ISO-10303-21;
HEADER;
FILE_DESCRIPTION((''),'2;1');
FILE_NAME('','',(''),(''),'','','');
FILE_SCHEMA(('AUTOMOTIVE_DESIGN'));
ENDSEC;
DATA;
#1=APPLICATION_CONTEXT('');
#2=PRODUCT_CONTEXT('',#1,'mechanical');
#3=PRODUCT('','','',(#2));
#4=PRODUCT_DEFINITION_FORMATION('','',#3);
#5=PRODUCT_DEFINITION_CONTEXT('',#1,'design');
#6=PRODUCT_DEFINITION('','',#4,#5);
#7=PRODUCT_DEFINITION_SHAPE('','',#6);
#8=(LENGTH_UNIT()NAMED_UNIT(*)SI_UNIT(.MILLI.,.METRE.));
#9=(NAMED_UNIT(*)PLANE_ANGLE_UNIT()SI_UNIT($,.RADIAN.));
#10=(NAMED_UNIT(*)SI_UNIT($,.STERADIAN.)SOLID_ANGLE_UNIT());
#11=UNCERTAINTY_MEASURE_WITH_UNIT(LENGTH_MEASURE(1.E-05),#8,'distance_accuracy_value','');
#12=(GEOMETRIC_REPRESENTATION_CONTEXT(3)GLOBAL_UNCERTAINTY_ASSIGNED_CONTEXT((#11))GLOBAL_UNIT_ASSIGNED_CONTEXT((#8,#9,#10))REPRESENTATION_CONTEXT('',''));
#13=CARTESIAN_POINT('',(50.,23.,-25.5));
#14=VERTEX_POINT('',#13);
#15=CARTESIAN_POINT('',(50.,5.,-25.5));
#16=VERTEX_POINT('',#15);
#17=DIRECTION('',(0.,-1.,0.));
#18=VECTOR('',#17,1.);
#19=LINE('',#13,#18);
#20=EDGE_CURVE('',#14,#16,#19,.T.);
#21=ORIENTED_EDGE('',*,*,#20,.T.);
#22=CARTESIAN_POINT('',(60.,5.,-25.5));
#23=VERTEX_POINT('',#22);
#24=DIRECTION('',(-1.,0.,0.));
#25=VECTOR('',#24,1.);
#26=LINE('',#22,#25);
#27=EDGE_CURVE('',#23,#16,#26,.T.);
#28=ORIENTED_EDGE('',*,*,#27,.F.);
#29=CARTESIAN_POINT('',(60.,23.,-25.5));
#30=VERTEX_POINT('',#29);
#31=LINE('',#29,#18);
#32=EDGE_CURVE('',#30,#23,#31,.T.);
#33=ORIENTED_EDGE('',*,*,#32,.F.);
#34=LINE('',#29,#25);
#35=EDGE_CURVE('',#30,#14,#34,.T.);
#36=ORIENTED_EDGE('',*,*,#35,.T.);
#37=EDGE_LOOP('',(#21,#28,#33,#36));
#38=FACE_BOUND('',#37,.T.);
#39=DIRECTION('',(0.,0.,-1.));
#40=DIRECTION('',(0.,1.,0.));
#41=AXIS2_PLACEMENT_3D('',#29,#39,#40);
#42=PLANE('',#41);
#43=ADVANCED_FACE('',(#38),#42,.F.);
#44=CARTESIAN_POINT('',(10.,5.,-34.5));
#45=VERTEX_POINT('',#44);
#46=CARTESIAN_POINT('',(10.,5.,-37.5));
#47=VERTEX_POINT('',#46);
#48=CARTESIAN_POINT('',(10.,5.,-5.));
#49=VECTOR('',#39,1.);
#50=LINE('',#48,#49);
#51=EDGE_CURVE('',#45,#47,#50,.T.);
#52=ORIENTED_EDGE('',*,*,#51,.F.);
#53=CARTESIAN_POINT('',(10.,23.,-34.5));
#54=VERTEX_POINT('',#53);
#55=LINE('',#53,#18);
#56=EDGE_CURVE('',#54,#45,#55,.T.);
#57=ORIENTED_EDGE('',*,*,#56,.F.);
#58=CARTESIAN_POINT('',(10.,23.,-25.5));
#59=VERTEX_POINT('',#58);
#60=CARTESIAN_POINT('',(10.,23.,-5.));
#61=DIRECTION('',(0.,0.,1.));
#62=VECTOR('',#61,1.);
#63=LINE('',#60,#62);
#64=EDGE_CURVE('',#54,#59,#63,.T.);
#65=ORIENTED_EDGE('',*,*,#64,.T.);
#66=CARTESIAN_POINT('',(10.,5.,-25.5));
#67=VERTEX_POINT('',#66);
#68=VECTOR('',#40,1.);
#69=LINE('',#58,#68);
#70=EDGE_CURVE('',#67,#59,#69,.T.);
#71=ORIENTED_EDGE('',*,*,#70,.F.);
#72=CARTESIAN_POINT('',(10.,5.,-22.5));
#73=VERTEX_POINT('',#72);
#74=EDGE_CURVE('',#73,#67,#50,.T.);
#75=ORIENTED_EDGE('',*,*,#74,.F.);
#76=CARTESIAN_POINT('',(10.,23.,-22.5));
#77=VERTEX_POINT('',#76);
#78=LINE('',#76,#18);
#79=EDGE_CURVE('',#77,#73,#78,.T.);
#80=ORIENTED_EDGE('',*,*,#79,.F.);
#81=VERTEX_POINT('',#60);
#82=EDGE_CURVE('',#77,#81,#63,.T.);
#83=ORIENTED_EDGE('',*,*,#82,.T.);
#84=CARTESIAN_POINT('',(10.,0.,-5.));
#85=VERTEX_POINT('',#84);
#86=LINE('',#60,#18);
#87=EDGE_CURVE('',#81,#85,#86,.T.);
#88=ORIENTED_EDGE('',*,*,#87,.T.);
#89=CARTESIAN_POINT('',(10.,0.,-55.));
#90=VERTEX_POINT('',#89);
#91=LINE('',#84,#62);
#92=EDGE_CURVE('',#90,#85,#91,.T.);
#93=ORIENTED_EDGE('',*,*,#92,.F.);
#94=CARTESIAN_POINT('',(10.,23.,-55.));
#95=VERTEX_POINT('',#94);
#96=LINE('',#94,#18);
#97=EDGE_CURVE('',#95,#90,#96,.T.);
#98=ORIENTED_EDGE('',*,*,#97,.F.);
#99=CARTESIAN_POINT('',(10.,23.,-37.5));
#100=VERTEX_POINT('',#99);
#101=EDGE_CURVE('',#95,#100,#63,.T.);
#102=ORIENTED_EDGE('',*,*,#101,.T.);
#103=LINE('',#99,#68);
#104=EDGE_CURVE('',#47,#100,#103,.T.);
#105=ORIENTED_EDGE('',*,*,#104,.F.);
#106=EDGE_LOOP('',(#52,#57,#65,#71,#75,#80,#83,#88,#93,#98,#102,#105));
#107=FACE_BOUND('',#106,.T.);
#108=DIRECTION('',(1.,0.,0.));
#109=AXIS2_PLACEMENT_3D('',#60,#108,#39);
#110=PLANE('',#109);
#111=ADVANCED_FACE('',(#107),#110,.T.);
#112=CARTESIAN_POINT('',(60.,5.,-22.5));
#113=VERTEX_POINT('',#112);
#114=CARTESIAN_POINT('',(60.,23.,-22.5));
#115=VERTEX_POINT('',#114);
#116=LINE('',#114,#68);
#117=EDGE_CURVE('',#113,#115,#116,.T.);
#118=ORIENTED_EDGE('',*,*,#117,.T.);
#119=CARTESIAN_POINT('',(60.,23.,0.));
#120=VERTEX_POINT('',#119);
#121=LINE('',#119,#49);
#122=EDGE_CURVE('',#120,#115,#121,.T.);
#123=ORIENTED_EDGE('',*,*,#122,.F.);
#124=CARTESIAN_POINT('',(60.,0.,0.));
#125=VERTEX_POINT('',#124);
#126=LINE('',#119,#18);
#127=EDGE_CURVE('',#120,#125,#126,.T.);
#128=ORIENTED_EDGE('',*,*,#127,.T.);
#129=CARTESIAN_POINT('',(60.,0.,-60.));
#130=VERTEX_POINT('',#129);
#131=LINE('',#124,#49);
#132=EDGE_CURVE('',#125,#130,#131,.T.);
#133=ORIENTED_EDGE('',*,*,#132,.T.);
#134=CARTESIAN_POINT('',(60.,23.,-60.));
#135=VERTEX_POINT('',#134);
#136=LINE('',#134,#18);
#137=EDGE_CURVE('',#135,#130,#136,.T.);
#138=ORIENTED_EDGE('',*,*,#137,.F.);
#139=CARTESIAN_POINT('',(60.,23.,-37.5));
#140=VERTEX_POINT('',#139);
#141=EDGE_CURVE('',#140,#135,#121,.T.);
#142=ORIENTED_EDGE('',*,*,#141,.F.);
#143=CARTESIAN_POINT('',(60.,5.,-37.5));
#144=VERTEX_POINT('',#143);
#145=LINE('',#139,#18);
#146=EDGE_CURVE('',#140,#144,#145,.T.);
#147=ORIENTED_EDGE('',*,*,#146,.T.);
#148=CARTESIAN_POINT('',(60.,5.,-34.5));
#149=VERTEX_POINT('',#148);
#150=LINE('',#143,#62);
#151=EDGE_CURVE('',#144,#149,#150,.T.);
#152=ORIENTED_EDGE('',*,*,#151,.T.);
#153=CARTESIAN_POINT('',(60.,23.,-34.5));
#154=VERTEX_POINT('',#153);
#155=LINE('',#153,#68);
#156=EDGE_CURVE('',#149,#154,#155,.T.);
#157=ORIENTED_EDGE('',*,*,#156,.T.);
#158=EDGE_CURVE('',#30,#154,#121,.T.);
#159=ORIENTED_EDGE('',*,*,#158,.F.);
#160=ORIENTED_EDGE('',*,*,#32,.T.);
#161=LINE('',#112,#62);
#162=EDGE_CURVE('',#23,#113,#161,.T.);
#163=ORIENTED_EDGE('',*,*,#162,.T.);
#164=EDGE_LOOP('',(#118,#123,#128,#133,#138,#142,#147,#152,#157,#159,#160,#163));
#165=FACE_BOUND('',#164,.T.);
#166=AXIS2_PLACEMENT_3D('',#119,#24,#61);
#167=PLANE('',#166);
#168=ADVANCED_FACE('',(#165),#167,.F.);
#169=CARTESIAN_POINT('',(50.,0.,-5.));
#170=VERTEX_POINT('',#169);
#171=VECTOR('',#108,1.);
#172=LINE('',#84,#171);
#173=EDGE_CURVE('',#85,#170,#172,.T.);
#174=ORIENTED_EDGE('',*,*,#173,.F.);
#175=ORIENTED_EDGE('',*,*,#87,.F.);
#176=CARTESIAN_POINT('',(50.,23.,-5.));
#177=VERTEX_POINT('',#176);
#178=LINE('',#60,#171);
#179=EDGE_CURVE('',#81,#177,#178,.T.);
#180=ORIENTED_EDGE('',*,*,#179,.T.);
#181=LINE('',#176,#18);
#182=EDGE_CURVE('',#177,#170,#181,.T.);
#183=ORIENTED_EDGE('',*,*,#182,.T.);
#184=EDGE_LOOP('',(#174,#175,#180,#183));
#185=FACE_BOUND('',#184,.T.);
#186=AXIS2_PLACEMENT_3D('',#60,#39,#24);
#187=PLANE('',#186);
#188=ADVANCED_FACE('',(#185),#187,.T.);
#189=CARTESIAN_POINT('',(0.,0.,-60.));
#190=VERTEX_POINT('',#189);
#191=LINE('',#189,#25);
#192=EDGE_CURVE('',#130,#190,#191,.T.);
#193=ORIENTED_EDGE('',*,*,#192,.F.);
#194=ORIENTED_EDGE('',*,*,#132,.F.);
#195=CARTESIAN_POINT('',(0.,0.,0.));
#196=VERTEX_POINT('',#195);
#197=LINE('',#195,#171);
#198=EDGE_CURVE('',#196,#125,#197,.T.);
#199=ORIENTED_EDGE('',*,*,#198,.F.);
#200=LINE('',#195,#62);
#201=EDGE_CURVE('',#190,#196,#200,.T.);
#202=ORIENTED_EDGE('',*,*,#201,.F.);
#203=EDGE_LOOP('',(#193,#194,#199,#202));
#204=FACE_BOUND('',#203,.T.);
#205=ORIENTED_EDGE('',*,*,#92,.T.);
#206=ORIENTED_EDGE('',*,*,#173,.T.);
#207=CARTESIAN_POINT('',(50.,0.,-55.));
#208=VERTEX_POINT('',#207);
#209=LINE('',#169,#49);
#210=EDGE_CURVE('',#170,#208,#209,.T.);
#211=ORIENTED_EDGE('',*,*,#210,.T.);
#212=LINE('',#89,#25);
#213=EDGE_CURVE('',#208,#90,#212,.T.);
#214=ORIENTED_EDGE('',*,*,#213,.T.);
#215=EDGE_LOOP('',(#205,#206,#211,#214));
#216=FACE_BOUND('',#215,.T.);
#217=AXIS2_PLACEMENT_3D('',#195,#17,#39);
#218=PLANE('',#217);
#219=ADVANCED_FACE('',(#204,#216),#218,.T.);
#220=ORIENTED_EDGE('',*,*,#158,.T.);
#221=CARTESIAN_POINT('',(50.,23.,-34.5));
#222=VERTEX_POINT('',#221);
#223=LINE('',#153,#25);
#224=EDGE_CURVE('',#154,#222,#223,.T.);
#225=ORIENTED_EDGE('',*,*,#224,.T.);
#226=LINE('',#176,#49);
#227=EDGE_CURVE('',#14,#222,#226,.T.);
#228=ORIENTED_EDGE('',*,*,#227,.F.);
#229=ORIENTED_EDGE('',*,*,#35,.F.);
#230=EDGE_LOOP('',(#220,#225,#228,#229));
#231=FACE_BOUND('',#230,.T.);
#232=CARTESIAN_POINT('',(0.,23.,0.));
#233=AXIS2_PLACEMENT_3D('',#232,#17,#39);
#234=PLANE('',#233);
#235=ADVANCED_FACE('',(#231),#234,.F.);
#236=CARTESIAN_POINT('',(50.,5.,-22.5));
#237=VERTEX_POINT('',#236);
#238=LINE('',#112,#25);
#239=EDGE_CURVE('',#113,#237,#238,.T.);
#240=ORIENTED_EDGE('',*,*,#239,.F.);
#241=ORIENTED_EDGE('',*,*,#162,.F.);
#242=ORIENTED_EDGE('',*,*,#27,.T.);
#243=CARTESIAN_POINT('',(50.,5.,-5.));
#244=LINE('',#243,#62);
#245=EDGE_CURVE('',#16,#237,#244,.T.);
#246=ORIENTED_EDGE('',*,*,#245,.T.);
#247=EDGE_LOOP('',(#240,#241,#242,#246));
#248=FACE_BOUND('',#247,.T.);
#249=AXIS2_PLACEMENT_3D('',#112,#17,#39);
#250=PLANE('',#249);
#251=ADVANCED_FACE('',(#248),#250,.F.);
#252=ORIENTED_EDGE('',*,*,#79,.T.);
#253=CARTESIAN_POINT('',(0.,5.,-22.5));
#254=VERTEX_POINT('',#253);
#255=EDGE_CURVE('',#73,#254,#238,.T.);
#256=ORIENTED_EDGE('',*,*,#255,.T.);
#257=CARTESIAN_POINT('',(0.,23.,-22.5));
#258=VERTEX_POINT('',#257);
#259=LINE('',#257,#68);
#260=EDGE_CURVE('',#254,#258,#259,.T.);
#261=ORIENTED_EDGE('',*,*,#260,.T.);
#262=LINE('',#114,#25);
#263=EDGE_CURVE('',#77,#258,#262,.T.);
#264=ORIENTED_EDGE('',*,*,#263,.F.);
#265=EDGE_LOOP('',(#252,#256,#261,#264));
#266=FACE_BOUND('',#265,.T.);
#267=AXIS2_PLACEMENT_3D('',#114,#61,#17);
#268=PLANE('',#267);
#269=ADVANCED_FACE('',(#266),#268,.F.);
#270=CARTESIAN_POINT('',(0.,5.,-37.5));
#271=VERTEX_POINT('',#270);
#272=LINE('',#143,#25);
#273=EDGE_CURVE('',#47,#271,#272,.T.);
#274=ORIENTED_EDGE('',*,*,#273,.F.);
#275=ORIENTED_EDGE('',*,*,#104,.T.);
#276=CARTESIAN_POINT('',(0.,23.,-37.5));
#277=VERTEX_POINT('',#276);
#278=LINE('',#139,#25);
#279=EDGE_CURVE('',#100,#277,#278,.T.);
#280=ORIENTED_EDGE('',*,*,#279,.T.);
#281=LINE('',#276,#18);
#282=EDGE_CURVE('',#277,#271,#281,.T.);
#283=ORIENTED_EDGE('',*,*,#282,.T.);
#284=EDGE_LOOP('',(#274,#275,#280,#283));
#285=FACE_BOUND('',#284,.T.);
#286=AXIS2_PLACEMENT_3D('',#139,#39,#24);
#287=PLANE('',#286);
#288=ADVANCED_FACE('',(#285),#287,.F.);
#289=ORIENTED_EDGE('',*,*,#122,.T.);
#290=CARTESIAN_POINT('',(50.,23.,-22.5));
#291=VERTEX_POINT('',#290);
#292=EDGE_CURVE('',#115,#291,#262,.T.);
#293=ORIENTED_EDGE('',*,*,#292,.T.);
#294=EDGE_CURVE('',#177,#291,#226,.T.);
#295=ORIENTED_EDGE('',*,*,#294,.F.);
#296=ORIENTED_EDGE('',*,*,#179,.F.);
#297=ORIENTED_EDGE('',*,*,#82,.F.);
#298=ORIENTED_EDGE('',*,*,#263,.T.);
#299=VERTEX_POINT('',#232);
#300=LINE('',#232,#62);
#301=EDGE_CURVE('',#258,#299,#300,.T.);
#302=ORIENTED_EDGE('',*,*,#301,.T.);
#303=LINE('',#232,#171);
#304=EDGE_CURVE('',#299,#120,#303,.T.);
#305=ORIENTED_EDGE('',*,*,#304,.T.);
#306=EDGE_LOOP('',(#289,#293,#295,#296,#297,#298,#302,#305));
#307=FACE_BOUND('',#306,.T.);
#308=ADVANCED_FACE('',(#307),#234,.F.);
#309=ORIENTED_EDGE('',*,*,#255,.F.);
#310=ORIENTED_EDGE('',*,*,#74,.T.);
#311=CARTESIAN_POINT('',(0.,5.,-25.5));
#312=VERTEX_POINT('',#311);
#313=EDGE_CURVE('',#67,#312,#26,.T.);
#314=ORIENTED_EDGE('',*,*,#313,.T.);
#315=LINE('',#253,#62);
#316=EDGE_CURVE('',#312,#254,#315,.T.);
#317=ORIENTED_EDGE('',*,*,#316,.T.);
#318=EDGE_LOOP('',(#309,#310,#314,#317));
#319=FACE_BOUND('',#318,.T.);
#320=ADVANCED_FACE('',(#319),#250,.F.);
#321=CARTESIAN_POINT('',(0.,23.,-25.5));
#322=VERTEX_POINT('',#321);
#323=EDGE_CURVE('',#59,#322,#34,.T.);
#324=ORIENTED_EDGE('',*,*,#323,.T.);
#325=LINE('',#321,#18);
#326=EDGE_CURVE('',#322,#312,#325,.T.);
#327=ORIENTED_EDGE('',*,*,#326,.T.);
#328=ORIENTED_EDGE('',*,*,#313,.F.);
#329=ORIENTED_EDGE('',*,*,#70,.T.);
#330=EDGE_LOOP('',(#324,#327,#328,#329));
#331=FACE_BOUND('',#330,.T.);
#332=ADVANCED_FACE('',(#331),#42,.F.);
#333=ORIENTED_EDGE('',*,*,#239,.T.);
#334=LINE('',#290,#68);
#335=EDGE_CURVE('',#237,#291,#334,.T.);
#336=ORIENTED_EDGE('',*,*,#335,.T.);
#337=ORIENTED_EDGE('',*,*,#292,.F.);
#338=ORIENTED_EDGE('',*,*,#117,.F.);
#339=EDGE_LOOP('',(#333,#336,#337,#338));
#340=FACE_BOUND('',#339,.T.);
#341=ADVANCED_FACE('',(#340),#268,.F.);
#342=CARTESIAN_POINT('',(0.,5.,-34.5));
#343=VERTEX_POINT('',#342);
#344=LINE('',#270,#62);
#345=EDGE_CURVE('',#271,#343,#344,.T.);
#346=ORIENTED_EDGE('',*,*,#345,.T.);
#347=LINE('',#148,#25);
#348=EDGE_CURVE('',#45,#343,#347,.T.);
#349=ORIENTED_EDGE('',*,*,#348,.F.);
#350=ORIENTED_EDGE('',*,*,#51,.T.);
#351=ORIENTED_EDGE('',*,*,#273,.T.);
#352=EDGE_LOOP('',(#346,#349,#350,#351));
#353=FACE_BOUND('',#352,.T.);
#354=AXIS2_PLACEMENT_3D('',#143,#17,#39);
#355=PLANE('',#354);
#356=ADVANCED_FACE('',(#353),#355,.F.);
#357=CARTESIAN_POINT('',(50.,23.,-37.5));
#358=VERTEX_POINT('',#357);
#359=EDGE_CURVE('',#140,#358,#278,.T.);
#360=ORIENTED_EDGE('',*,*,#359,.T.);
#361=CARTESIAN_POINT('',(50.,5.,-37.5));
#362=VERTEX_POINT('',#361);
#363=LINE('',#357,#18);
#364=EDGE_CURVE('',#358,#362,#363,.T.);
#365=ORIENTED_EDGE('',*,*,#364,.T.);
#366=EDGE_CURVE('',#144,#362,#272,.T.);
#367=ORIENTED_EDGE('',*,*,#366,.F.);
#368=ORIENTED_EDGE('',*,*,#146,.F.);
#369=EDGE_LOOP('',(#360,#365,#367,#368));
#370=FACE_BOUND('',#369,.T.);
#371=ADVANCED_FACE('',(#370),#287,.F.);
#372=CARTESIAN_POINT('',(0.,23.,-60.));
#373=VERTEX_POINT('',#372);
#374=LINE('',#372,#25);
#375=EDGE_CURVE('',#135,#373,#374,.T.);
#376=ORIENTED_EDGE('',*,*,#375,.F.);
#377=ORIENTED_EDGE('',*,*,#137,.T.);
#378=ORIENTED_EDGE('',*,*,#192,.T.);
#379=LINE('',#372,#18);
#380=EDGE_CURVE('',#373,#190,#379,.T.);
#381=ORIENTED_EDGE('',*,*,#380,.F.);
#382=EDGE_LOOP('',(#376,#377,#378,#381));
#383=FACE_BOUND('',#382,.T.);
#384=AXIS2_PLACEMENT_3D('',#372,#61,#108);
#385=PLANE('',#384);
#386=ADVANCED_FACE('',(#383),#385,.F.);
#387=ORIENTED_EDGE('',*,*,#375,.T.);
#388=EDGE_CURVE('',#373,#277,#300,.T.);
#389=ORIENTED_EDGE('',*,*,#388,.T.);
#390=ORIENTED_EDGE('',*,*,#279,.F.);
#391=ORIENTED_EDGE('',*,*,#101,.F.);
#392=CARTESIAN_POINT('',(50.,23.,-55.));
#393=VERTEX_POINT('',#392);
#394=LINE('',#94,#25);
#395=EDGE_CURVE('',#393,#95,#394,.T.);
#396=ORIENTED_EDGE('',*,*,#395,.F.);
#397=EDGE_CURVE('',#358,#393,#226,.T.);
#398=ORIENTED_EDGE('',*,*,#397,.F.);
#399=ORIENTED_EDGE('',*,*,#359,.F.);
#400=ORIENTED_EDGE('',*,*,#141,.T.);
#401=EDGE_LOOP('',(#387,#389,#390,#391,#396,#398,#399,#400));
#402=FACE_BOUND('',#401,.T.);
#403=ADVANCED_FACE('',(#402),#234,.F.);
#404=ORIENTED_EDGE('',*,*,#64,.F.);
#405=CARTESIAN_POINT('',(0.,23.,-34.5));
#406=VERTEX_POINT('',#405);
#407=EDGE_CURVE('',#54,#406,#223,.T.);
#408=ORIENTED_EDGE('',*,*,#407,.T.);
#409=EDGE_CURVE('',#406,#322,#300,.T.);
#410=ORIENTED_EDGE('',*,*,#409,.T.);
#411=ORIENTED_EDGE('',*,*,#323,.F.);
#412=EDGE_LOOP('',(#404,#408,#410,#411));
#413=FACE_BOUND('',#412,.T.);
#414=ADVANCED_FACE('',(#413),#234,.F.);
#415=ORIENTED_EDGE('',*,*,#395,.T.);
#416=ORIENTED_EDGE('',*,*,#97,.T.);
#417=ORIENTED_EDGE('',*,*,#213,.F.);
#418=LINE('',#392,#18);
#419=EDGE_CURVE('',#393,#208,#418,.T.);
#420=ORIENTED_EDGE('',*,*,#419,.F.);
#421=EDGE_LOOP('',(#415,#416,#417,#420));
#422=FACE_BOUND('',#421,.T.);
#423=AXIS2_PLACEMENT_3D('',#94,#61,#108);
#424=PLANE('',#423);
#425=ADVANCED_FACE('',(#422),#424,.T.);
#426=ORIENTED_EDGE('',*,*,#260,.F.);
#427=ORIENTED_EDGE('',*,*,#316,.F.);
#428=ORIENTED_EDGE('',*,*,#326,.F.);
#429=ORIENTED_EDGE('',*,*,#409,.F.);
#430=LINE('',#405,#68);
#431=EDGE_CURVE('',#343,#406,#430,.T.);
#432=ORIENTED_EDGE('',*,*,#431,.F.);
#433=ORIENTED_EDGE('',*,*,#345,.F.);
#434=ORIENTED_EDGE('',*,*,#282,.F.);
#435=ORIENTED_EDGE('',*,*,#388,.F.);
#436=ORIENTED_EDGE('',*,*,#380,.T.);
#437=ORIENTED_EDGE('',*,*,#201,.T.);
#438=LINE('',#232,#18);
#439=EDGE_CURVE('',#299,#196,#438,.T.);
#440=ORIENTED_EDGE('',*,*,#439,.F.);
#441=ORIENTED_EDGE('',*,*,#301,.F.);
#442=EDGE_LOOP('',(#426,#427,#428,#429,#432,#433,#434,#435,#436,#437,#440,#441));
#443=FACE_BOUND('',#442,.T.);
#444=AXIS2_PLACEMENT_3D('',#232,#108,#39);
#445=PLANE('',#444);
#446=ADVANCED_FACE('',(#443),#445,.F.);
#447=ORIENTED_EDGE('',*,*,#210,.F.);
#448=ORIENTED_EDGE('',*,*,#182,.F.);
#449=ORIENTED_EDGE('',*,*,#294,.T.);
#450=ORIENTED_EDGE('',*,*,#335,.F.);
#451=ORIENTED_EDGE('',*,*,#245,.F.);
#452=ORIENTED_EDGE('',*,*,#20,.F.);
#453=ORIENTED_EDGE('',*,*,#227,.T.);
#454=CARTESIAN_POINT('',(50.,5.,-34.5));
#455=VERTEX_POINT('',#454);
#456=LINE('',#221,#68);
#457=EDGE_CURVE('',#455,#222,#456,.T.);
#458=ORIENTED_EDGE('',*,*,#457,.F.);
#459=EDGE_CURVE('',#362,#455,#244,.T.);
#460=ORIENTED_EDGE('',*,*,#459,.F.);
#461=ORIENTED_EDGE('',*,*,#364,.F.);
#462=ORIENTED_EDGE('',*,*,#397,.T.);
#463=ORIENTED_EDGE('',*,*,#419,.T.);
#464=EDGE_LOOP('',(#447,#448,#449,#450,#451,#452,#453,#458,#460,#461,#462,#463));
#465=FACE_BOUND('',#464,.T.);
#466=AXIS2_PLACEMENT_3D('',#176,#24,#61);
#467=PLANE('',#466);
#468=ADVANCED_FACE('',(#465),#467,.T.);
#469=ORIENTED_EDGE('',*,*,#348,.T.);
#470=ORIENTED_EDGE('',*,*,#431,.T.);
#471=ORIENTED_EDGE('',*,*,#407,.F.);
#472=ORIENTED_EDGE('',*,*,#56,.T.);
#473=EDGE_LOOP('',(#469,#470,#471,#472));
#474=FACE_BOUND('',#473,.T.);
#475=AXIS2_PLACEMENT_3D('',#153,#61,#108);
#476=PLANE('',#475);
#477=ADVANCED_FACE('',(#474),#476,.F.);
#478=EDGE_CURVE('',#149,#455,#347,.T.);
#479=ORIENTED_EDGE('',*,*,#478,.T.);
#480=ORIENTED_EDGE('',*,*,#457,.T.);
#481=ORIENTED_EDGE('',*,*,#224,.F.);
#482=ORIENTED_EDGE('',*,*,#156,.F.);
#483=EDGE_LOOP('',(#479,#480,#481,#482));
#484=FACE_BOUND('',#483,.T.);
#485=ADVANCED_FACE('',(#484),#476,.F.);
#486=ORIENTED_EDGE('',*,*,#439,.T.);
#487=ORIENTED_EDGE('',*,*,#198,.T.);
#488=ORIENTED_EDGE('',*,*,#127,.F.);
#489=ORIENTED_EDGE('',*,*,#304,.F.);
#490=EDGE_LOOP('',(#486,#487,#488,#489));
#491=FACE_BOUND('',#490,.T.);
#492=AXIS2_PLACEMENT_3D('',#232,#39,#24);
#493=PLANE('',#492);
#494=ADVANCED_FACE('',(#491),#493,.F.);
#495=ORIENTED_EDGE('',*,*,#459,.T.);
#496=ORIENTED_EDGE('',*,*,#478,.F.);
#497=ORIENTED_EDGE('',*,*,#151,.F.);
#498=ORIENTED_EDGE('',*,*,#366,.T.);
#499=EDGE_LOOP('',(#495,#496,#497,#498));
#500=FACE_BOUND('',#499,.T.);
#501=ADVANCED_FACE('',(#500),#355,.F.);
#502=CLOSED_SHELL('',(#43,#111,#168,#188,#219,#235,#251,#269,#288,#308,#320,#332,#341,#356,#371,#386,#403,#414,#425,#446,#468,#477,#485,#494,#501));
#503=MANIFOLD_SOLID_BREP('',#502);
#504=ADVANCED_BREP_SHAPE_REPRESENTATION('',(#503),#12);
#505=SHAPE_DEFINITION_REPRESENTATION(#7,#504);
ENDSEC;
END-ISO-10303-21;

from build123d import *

# Parameters (mm, degrees)
SKETCH2_W           = 60
SKETCH2_H           = 60
SKETCH2_W_2         = 40
SKETCH2_H_2         = 50
BOSS_EXTRUDE2_DEPTH = 23
SKETCH3_W           = 3
SKETCH3_H           = 18
CUT_EXTRUDE1_DEPTH  = 88.914731416


with BuildPart() as part:
    # Sketch2 → Boss-Extrude2 (new body)
    with BuildSketch(Plane(origin=(0, 0, 0), x_dir=(1, 0, 0), z_dir=(0, 1, 0))):
        with Locations((30, 30)):
            Rectangle(SKETCH2_W, SKETCH2_H)
        with Locations((30, 30)):
            Rectangle(SKETCH2_W_2, SKETCH2_H_2, mode=Mode.SUBTRACT)
    extrude(amount=BOSS_EXTRUDE2_DEPTH)

    # Sketch3 → Cut-Extrude1 (cut, through all)
    with BuildSketch(Plane.ZY):
        with Locations((-36, 14)):
            Rectangle(SKETCH3_W, SKETCH3_H)
        with Locations((-24, 14)):
            Rectangle(SKETCH3_W, SKETCH3_H)
    extrude(amount=-CUT_EXTRUDE1_DEPTH, mode=Mode.SUBTRACT)


solid = part.part
